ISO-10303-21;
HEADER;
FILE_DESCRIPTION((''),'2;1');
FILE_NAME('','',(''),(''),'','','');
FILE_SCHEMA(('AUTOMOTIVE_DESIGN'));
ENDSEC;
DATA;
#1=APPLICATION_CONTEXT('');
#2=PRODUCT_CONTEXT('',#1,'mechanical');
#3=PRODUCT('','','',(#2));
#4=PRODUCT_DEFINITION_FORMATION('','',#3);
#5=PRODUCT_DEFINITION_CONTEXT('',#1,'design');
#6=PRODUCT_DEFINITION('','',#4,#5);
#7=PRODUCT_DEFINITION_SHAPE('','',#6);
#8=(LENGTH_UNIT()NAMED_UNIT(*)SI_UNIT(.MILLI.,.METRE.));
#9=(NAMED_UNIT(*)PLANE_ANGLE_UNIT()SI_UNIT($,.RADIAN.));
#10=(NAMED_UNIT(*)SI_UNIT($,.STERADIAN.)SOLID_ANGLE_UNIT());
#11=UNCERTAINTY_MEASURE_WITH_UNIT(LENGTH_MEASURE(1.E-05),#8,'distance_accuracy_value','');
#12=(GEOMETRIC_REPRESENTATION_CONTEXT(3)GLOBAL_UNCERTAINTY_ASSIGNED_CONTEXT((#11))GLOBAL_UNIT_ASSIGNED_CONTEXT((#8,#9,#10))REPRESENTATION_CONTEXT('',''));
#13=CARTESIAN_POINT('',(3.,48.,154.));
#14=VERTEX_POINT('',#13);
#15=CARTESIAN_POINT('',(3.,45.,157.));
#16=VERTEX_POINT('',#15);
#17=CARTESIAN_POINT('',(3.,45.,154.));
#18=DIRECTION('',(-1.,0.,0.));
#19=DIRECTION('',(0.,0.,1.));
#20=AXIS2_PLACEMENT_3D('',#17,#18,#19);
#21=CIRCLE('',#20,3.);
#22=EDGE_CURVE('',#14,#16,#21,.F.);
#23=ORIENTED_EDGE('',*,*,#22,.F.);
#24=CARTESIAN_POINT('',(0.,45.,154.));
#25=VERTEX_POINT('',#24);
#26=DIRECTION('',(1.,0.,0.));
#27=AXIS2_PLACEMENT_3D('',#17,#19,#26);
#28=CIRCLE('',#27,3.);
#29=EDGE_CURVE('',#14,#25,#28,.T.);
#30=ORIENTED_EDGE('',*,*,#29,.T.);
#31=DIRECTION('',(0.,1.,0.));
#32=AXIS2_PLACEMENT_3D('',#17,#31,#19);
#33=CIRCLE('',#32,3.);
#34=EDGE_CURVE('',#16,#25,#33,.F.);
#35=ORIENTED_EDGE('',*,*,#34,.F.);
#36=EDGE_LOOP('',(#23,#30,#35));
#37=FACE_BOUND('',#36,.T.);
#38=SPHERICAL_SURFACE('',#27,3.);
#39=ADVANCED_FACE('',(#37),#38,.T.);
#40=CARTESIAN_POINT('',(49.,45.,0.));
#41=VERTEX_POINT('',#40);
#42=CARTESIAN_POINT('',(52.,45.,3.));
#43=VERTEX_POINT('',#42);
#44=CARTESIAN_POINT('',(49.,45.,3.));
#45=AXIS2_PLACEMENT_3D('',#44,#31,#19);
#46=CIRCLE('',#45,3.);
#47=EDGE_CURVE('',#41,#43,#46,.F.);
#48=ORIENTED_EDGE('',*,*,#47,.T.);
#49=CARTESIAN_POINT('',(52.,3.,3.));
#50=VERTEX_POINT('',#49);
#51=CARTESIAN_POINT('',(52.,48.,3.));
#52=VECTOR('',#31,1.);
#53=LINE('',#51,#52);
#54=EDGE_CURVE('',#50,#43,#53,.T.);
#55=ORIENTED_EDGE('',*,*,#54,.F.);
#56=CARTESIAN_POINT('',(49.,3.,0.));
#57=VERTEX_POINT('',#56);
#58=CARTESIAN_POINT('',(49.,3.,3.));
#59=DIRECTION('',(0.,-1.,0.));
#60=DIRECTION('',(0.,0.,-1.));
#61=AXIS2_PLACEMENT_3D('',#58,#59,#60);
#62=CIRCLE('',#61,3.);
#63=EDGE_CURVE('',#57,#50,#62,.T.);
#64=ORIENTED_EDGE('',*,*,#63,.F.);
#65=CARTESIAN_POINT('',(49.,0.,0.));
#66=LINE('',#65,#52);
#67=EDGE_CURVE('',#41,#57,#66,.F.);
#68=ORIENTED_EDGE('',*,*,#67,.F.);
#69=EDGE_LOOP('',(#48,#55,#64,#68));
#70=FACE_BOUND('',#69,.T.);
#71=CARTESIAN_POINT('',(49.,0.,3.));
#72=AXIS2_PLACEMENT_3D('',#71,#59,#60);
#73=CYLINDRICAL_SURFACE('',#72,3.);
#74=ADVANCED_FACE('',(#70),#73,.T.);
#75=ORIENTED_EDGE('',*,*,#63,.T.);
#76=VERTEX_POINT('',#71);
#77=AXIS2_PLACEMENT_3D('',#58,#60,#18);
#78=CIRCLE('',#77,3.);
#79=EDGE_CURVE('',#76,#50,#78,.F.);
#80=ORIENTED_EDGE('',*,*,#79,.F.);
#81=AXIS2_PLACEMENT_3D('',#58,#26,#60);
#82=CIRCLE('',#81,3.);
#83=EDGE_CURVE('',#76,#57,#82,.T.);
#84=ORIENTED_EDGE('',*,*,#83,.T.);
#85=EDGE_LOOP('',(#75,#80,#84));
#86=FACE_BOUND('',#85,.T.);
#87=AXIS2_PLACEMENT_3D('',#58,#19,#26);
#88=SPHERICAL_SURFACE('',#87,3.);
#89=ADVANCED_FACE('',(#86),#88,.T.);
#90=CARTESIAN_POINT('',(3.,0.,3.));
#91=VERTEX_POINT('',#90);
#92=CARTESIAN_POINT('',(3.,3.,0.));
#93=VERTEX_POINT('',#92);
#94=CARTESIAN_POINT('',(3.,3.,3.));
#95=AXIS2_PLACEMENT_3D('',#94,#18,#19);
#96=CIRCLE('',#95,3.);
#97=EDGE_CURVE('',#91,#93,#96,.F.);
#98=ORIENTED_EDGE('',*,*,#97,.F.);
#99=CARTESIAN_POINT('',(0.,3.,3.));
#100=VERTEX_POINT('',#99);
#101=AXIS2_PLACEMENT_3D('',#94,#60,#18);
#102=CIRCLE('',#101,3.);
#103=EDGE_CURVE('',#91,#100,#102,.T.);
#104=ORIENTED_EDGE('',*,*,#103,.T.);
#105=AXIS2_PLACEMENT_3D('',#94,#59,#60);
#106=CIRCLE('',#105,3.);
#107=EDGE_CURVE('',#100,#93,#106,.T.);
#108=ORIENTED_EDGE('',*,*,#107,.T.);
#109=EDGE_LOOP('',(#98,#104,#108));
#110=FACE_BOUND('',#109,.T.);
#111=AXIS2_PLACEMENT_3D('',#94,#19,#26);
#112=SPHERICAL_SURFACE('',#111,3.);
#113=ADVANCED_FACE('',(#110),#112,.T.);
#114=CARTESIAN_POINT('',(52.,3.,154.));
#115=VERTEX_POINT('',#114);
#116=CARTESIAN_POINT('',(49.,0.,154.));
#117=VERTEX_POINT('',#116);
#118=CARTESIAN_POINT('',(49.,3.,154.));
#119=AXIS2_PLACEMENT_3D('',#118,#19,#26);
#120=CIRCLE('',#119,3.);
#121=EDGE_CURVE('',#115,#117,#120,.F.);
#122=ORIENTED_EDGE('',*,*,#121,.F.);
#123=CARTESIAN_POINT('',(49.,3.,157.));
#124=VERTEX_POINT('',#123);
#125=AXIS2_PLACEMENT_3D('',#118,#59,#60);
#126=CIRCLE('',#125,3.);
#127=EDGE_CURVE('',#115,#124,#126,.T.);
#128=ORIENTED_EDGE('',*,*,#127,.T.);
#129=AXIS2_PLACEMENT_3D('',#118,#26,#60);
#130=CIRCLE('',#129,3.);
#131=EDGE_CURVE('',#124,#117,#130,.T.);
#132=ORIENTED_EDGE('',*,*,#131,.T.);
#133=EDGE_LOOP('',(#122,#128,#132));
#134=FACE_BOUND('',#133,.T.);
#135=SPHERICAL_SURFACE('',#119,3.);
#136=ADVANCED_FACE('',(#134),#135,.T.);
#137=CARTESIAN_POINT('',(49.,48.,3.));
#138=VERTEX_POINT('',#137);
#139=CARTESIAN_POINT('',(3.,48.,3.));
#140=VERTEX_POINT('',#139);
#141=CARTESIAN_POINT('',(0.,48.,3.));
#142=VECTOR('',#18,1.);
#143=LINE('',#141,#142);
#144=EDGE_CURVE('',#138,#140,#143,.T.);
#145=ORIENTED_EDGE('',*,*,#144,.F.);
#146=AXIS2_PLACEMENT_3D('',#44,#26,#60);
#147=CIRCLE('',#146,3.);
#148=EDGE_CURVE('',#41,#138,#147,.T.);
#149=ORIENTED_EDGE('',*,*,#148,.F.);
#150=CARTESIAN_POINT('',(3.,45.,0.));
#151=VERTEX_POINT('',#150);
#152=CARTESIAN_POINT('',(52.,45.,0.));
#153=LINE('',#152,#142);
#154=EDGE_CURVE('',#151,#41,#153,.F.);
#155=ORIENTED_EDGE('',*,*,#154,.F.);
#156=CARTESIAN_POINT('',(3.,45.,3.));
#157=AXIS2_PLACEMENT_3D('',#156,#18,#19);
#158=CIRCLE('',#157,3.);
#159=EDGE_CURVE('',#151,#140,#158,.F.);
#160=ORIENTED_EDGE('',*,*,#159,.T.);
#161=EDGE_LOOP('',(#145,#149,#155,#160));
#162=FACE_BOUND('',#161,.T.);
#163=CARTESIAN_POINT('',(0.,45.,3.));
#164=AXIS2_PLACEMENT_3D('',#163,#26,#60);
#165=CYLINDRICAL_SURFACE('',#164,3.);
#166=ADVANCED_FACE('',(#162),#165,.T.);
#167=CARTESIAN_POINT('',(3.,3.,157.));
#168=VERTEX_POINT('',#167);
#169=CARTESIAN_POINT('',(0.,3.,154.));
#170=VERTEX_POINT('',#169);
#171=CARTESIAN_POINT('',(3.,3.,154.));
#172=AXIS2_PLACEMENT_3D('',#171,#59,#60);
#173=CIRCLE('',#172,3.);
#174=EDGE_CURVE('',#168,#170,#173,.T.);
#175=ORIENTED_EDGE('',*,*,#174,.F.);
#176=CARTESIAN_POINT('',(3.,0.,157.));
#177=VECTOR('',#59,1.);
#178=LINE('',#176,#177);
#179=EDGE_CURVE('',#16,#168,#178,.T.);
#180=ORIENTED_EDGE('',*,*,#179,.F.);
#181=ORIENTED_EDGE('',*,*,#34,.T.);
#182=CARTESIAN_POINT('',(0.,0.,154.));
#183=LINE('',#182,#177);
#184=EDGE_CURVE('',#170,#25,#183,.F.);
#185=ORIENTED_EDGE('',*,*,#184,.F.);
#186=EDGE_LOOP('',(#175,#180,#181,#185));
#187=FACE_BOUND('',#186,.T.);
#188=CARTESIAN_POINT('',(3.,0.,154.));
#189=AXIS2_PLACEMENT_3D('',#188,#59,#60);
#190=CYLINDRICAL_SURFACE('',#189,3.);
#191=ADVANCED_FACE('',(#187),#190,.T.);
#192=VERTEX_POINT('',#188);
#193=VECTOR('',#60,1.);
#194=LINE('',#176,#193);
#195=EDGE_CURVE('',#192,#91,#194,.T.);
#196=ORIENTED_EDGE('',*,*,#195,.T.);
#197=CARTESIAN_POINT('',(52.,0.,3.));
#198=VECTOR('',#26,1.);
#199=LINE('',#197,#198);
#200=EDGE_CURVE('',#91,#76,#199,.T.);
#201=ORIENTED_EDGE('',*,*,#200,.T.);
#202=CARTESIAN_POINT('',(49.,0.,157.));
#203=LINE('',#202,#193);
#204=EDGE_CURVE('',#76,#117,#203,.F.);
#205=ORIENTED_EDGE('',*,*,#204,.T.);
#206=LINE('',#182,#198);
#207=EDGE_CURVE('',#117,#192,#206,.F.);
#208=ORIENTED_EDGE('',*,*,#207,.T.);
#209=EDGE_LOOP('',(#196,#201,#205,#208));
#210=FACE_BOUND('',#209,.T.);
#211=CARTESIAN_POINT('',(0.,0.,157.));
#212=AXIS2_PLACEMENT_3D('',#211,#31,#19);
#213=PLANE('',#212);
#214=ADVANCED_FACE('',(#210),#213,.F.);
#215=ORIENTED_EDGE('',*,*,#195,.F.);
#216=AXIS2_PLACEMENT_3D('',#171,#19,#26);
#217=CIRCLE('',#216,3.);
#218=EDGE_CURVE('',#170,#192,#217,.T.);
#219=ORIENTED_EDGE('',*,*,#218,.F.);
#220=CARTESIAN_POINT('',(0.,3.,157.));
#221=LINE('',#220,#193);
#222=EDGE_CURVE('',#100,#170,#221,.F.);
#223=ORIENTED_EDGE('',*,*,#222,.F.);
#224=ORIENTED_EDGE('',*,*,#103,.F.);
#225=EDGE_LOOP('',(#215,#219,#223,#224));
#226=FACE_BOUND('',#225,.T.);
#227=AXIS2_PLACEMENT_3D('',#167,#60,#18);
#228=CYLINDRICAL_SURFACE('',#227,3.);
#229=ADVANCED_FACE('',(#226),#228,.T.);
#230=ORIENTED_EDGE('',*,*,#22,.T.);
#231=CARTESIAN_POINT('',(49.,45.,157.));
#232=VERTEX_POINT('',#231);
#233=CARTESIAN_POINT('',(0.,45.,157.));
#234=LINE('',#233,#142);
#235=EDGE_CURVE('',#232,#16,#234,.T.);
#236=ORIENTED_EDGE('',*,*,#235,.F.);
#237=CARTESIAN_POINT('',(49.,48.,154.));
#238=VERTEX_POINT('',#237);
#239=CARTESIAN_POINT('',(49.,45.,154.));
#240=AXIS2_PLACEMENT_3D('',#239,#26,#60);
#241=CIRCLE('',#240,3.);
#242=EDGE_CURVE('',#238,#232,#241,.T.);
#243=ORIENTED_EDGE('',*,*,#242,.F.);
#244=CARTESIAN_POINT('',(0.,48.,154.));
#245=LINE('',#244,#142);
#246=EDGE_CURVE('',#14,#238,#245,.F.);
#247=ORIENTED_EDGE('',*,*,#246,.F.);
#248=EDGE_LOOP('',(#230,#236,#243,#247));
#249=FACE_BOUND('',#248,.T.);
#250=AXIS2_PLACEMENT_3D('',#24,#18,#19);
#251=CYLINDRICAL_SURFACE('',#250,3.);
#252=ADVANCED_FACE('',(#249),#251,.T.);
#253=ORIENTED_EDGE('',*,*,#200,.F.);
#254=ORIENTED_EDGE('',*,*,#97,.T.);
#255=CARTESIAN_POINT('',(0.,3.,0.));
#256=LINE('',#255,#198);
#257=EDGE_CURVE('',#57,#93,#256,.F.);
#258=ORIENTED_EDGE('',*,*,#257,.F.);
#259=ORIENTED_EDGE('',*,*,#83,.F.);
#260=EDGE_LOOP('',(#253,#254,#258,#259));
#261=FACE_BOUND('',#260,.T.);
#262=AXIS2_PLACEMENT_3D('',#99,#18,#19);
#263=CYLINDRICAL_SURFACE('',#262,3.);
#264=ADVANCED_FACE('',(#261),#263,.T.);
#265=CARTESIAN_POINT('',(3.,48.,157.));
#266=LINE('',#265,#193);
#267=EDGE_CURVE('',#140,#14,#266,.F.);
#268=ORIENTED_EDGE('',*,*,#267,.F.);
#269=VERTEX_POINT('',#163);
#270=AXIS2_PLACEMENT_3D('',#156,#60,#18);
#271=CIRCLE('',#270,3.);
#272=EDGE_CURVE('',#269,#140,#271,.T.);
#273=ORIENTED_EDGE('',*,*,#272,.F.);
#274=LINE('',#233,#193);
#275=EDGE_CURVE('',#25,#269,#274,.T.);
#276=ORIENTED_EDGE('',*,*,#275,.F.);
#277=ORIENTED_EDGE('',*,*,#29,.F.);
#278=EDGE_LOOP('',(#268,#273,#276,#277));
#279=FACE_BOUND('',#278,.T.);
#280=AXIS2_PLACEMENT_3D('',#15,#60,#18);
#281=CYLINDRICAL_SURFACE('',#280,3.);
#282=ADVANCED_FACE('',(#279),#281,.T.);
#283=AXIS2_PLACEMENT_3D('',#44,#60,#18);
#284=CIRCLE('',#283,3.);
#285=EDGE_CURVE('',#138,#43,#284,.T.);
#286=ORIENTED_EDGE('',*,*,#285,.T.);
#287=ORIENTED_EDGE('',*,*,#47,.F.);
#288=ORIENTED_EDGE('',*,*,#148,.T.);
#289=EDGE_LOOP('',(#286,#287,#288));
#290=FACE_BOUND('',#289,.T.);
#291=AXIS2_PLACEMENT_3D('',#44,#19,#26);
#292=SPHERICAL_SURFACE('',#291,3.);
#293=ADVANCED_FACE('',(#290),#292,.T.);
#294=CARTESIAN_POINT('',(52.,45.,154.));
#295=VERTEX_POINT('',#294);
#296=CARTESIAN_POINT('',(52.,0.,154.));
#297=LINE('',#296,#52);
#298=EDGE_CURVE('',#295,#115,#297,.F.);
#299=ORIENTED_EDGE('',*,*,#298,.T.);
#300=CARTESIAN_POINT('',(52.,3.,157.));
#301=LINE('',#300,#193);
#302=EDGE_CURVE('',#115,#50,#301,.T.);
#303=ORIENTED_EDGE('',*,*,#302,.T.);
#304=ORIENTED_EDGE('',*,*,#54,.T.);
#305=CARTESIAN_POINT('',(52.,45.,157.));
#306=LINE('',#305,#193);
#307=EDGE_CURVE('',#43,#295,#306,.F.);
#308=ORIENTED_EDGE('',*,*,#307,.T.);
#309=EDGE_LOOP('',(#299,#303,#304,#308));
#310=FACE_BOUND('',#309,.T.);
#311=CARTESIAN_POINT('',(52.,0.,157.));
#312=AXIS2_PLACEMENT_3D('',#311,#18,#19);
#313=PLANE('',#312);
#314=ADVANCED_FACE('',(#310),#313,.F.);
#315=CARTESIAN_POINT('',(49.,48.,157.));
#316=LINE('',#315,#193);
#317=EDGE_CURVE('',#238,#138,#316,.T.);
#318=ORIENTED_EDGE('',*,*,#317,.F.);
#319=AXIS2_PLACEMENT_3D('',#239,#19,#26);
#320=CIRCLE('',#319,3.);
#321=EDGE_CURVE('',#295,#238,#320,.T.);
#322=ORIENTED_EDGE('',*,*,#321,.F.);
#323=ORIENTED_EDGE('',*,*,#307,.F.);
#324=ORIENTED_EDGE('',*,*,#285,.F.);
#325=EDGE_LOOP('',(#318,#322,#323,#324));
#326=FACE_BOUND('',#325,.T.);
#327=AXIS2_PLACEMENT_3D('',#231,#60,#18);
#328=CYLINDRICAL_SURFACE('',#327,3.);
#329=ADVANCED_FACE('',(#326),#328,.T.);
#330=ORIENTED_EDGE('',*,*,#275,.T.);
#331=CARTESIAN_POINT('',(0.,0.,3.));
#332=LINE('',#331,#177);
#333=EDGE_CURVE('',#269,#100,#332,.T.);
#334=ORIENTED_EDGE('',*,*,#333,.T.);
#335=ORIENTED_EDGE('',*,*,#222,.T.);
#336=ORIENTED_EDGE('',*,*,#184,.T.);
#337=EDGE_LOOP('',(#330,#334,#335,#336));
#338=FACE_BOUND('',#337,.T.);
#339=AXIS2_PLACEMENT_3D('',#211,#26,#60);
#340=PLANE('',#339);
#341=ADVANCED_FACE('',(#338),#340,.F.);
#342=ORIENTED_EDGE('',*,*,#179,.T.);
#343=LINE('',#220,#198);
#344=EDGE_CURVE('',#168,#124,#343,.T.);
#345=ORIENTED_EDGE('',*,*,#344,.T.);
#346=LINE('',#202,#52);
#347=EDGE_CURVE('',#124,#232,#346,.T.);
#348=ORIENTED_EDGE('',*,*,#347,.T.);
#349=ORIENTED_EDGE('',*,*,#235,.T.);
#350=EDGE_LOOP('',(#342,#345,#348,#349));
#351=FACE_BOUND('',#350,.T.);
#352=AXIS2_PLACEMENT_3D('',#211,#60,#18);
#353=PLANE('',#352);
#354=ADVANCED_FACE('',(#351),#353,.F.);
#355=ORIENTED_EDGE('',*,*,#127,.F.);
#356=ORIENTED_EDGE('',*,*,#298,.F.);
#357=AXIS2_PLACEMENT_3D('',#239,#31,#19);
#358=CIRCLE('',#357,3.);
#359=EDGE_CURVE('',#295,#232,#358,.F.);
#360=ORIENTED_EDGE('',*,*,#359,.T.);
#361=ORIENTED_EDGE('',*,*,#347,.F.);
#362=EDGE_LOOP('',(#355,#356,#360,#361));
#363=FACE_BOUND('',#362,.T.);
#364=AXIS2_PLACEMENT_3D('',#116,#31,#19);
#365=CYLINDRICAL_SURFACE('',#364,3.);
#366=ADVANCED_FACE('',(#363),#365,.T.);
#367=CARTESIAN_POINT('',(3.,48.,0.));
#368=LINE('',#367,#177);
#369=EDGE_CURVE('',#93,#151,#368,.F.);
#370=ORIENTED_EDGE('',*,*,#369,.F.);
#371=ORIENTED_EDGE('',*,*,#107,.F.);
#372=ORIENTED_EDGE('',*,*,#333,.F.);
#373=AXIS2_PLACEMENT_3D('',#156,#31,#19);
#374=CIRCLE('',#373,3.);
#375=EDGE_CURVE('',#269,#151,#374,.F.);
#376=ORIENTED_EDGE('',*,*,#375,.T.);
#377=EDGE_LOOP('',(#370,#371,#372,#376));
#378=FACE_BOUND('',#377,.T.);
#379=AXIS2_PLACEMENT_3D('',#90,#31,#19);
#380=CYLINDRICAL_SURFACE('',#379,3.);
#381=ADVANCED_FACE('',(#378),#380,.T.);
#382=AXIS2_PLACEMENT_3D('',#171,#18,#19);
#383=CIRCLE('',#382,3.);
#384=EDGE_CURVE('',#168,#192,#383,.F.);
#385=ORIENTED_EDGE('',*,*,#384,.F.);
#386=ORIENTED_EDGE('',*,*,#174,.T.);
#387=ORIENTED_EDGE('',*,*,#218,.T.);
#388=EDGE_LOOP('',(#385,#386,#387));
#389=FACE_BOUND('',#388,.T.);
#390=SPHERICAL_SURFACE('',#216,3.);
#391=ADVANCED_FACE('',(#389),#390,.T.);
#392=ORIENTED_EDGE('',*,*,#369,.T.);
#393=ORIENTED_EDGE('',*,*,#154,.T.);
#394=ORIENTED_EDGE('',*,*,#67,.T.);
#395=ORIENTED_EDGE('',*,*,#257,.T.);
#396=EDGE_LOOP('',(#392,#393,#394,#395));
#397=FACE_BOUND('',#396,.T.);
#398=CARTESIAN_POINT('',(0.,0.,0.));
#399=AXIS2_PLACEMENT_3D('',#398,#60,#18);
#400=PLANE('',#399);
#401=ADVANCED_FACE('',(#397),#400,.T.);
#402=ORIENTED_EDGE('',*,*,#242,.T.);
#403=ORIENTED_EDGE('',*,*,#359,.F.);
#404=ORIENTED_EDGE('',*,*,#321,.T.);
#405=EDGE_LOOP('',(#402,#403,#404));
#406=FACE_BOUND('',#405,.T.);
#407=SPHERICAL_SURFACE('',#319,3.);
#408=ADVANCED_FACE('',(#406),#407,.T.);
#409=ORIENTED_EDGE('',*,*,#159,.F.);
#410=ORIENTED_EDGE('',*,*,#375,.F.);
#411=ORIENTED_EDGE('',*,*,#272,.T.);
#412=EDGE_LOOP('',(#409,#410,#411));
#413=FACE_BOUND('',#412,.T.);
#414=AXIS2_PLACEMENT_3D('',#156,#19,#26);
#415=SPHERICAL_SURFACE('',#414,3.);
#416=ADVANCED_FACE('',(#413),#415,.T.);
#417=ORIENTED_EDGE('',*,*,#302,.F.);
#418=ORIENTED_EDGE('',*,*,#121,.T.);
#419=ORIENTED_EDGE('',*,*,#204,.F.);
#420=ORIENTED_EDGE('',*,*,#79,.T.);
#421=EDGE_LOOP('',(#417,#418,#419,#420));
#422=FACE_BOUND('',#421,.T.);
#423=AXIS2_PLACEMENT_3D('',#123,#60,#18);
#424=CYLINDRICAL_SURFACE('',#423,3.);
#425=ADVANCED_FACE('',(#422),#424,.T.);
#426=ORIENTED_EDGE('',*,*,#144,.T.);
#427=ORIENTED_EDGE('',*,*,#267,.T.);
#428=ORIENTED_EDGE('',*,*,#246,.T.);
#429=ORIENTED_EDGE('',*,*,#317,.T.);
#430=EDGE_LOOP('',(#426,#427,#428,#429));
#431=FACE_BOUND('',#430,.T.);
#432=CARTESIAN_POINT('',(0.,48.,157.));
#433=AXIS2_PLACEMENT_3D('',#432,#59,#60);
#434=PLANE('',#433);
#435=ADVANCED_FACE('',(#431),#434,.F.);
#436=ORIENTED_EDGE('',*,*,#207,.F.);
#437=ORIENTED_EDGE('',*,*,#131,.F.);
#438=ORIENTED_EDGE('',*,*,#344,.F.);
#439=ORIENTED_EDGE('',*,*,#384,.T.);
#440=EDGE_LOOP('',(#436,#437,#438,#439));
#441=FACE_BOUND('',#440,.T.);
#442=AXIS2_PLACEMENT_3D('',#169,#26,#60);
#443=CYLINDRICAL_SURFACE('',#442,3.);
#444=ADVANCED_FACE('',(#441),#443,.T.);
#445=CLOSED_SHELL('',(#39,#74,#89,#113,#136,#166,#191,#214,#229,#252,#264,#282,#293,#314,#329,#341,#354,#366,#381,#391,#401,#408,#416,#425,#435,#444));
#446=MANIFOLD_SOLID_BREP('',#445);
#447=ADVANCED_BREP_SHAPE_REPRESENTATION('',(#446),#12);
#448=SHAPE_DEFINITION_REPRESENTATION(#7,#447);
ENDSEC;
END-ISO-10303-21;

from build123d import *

# Parameters (mm, degrees)
SKETCH1_W           = 52
SKETCH1_H           = 48
BOSS_EXTRUDE1_DEPTH = 157
FILLET1_R           = 3


with BuildPart() as part:
    # Sketch1 → Boss-Extrude1 (new body)
    with BuildSketch(Plane.XY):
        with Locations((26, 24)):
            Rectangle(SKETCH1_W, SKETCH1_H)
    extrude(amount=BOSS_EXTRUDE1_DEPTH)

    # Fillet1
    fillet1_edges = [part.edges().sort_by_distance(p)[0] for p in [
        (52, 24, 157),
        (26, 48, 157),
        (0, 24, 157),
        (26, 48, 0),
        (52, 24, 0),
        (26, 0, 0),
        (0, 24, 0),
        (0, 48, 78.5),
        (52, 48, 78.5),
        (52, 0, 78.5),
        (0, 0, 78.5),
        (26, 0, 157),
    ]]
    fillet(fillet1_edges, radius=FILLET1_R)


solid = part.part
